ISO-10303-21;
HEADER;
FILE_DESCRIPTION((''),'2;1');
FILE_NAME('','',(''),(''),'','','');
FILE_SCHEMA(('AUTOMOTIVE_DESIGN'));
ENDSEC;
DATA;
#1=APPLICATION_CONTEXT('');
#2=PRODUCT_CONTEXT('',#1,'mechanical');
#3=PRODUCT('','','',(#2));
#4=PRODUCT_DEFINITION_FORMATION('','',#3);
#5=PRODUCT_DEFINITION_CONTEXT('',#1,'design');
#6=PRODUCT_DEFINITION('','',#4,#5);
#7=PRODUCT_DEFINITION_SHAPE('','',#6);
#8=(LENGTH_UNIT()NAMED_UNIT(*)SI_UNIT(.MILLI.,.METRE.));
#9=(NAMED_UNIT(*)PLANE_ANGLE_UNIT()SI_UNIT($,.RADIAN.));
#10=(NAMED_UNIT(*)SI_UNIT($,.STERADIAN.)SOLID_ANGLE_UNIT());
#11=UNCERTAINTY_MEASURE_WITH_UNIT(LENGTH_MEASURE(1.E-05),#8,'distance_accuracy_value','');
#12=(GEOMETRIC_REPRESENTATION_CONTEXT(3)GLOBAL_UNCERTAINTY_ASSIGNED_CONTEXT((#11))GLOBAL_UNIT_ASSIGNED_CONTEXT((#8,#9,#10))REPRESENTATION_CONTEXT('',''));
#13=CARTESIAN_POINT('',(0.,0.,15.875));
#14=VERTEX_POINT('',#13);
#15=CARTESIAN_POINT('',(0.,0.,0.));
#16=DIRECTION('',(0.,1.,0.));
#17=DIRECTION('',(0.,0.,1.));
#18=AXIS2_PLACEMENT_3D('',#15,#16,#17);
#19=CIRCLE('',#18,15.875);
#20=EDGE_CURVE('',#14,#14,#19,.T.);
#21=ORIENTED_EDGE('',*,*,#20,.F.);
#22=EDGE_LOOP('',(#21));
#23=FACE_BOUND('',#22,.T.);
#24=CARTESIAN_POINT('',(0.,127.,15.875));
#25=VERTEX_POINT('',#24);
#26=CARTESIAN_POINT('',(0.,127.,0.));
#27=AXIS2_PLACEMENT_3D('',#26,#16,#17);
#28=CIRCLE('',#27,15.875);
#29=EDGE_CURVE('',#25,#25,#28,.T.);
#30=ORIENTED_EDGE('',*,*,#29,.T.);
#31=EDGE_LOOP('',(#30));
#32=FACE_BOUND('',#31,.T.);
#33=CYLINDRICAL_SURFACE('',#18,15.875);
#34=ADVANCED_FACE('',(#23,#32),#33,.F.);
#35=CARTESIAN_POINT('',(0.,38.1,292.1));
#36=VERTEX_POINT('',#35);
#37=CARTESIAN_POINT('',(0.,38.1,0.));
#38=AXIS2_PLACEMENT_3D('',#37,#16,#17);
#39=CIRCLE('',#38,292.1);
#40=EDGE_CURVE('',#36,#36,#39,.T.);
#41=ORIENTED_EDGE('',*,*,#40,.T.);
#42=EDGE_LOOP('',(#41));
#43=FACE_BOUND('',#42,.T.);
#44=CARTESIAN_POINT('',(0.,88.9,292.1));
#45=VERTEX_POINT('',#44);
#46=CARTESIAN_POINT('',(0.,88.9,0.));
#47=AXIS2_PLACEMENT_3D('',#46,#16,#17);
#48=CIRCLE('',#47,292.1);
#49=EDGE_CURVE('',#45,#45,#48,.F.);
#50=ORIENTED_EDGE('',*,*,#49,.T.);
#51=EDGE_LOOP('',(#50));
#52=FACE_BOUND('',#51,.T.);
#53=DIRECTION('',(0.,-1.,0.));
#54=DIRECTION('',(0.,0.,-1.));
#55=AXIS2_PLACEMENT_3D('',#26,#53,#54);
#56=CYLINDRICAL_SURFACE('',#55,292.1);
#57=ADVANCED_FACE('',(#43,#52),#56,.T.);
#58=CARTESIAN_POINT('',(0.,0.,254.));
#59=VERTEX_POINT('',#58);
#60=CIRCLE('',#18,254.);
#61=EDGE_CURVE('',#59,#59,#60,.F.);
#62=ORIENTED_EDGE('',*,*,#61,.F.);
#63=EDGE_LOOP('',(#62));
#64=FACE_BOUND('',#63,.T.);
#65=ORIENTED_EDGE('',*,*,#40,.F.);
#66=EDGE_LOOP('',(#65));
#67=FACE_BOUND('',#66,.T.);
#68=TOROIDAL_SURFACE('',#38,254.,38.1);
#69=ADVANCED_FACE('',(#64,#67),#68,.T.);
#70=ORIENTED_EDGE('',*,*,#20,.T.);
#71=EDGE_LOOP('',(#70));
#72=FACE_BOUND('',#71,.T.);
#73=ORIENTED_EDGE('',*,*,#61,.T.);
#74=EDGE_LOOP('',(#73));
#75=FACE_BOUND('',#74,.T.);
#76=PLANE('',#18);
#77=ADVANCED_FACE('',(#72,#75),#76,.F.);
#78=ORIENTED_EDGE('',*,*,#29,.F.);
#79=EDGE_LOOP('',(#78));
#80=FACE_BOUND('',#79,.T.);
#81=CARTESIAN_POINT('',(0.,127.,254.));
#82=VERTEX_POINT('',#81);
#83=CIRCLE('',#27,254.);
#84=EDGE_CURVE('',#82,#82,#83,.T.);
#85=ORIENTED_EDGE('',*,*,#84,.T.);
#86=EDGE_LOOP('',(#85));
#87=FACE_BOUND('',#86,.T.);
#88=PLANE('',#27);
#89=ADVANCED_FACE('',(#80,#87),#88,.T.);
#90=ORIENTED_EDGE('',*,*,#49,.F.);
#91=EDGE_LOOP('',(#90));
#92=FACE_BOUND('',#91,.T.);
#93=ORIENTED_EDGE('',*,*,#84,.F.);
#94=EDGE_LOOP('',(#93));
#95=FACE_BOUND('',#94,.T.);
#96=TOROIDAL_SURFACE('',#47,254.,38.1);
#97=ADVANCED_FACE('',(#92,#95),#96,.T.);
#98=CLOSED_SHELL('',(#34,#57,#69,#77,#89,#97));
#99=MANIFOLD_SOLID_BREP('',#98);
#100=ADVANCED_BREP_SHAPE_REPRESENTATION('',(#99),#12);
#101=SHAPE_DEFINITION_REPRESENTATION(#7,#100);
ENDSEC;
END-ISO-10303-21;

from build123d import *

# Parameters (mm, degrees)
SKETCH1_R           = 292.1
BOSS_EXTRUDE1_DEPTH = 127
FILLET1_R           = 38.1
SKETCH2_R           = 15.875
CUT_EXTRUDE1_DEPTH  = 128


with BuildPart() as part:
    # Sketch1 → Boss-Extrude1 (new body)
    with BuildSketch(Plane(origin=(0, 0, 0), x_dir=(1, 0, 0), z_dir=(0, 1, 0))):
        Circle(SKETCH1_R)
    extrude(amount=BOSS_EXTRUDE1_DEPTH)

    # Fillet1
    fillet1_edges = [part.edges().sort_by_distance(p)[0] for p in [
        (-292.1, 0, 0),
        (-292.1, 127, 0),
    ]]
    fillet(fillet1_edges, radius=FILLET1_R)

    # Sketch2 → Cut-Extrude1 (cut, through all)
    with BuildSketch(Plane(origin=(0, 127, 0), x_dir=(1, 0, 0), z_dir=(0, 1, 0))):
        Circle(SKETCH2_R)
    extrude(amount=-CUT_EXTRUDE1_DEPTH, mode=Mode.SUBTRACT)


solid = part.part
